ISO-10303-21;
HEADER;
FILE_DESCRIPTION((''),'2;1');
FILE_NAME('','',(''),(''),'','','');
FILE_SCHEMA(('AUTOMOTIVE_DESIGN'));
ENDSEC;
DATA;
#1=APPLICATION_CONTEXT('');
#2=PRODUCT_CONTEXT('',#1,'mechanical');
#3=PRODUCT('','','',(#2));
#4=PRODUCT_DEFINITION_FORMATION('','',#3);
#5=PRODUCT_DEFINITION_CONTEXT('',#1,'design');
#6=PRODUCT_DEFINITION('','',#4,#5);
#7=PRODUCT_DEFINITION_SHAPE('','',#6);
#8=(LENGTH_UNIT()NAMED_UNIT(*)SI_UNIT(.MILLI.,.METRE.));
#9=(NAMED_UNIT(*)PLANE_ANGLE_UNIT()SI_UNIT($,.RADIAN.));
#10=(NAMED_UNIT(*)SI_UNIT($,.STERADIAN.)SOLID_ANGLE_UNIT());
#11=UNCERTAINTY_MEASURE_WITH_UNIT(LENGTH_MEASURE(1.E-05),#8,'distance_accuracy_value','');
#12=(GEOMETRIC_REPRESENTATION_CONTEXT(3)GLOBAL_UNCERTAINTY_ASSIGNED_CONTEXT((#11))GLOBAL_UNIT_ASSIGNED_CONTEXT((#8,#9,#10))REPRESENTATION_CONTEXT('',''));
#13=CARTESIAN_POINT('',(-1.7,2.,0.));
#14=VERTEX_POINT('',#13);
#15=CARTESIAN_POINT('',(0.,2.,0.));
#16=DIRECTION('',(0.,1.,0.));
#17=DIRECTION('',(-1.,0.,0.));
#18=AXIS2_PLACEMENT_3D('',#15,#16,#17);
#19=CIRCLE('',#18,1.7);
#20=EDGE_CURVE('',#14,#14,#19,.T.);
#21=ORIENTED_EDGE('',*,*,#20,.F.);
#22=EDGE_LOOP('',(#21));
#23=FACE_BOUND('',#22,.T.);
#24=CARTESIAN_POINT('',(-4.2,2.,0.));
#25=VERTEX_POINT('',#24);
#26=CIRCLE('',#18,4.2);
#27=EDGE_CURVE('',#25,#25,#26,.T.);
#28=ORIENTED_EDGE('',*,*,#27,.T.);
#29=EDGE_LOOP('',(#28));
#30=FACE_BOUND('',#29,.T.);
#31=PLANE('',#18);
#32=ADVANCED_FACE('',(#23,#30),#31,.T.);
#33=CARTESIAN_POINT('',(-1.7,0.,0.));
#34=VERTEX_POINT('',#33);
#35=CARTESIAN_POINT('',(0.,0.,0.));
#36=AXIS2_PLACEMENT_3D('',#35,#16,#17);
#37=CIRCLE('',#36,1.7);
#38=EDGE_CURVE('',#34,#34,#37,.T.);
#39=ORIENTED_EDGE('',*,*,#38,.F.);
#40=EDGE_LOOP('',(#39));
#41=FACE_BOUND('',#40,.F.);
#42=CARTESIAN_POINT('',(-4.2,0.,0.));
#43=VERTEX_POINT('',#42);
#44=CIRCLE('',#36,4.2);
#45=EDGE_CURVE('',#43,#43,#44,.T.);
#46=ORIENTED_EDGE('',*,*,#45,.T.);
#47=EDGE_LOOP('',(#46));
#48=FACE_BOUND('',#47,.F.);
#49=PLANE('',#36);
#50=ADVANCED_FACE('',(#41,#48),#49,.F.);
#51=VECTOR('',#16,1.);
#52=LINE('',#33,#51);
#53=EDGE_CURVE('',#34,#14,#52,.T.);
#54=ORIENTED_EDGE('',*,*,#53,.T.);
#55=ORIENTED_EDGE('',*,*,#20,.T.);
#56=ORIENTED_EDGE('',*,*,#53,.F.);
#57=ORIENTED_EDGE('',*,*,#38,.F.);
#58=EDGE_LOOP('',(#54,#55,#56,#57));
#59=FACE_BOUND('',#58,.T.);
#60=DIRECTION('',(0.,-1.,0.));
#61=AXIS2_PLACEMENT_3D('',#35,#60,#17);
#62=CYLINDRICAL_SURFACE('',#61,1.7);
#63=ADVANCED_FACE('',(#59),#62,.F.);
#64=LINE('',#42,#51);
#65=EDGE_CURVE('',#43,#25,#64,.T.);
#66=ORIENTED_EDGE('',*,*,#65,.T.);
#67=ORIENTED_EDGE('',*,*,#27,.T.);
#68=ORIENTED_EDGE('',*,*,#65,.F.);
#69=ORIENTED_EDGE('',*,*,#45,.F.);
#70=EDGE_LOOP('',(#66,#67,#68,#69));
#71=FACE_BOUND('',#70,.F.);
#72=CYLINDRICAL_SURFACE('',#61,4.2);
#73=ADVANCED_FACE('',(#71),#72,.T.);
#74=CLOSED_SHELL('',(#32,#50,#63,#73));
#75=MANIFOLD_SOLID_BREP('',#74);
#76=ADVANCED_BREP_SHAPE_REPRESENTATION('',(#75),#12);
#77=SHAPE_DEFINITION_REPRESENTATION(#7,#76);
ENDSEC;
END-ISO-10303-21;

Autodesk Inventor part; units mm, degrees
ref_plane "YZ Plane" through (0, 0, 0) normal (1, 0, 0) x (0, 1, 0)
ref_plane "XZ Plane" through (0, 0, 0) normal (0, 1, 0) x (-1, 0, 0)
ref_plane "XY Plane" through (0, 0, 0) normal (0, 0, 1) x (1, 0, 0)
sketch "Sketch1" plane through (0, 0, 0) normal (0, 1, 0) x (-1, 0, 0)
  circle A0 centre (0, 0) radius 1.7
  circle A1 centre (0, 0) radius 4.2
  dimension "d0" = 3.4
  dimension "d1" = 2.5
extrude "Extrusion1" add sketch "Sketch1" along normal blind 2
equation "\"d0\" = m3_clearance"
equation "\"m3_heat_set_insert\" = 4"
equation "\"m3_clearance\" = 3.4"
equation "\"m3_heat_set_depth\" = 7"
equation "\"robot_diameter\" = 354"
equation "\"hardboard_thickness\" = 5"
equation "\"motor_centerline_height\" = 13"
properties part number "caster_spacer"
